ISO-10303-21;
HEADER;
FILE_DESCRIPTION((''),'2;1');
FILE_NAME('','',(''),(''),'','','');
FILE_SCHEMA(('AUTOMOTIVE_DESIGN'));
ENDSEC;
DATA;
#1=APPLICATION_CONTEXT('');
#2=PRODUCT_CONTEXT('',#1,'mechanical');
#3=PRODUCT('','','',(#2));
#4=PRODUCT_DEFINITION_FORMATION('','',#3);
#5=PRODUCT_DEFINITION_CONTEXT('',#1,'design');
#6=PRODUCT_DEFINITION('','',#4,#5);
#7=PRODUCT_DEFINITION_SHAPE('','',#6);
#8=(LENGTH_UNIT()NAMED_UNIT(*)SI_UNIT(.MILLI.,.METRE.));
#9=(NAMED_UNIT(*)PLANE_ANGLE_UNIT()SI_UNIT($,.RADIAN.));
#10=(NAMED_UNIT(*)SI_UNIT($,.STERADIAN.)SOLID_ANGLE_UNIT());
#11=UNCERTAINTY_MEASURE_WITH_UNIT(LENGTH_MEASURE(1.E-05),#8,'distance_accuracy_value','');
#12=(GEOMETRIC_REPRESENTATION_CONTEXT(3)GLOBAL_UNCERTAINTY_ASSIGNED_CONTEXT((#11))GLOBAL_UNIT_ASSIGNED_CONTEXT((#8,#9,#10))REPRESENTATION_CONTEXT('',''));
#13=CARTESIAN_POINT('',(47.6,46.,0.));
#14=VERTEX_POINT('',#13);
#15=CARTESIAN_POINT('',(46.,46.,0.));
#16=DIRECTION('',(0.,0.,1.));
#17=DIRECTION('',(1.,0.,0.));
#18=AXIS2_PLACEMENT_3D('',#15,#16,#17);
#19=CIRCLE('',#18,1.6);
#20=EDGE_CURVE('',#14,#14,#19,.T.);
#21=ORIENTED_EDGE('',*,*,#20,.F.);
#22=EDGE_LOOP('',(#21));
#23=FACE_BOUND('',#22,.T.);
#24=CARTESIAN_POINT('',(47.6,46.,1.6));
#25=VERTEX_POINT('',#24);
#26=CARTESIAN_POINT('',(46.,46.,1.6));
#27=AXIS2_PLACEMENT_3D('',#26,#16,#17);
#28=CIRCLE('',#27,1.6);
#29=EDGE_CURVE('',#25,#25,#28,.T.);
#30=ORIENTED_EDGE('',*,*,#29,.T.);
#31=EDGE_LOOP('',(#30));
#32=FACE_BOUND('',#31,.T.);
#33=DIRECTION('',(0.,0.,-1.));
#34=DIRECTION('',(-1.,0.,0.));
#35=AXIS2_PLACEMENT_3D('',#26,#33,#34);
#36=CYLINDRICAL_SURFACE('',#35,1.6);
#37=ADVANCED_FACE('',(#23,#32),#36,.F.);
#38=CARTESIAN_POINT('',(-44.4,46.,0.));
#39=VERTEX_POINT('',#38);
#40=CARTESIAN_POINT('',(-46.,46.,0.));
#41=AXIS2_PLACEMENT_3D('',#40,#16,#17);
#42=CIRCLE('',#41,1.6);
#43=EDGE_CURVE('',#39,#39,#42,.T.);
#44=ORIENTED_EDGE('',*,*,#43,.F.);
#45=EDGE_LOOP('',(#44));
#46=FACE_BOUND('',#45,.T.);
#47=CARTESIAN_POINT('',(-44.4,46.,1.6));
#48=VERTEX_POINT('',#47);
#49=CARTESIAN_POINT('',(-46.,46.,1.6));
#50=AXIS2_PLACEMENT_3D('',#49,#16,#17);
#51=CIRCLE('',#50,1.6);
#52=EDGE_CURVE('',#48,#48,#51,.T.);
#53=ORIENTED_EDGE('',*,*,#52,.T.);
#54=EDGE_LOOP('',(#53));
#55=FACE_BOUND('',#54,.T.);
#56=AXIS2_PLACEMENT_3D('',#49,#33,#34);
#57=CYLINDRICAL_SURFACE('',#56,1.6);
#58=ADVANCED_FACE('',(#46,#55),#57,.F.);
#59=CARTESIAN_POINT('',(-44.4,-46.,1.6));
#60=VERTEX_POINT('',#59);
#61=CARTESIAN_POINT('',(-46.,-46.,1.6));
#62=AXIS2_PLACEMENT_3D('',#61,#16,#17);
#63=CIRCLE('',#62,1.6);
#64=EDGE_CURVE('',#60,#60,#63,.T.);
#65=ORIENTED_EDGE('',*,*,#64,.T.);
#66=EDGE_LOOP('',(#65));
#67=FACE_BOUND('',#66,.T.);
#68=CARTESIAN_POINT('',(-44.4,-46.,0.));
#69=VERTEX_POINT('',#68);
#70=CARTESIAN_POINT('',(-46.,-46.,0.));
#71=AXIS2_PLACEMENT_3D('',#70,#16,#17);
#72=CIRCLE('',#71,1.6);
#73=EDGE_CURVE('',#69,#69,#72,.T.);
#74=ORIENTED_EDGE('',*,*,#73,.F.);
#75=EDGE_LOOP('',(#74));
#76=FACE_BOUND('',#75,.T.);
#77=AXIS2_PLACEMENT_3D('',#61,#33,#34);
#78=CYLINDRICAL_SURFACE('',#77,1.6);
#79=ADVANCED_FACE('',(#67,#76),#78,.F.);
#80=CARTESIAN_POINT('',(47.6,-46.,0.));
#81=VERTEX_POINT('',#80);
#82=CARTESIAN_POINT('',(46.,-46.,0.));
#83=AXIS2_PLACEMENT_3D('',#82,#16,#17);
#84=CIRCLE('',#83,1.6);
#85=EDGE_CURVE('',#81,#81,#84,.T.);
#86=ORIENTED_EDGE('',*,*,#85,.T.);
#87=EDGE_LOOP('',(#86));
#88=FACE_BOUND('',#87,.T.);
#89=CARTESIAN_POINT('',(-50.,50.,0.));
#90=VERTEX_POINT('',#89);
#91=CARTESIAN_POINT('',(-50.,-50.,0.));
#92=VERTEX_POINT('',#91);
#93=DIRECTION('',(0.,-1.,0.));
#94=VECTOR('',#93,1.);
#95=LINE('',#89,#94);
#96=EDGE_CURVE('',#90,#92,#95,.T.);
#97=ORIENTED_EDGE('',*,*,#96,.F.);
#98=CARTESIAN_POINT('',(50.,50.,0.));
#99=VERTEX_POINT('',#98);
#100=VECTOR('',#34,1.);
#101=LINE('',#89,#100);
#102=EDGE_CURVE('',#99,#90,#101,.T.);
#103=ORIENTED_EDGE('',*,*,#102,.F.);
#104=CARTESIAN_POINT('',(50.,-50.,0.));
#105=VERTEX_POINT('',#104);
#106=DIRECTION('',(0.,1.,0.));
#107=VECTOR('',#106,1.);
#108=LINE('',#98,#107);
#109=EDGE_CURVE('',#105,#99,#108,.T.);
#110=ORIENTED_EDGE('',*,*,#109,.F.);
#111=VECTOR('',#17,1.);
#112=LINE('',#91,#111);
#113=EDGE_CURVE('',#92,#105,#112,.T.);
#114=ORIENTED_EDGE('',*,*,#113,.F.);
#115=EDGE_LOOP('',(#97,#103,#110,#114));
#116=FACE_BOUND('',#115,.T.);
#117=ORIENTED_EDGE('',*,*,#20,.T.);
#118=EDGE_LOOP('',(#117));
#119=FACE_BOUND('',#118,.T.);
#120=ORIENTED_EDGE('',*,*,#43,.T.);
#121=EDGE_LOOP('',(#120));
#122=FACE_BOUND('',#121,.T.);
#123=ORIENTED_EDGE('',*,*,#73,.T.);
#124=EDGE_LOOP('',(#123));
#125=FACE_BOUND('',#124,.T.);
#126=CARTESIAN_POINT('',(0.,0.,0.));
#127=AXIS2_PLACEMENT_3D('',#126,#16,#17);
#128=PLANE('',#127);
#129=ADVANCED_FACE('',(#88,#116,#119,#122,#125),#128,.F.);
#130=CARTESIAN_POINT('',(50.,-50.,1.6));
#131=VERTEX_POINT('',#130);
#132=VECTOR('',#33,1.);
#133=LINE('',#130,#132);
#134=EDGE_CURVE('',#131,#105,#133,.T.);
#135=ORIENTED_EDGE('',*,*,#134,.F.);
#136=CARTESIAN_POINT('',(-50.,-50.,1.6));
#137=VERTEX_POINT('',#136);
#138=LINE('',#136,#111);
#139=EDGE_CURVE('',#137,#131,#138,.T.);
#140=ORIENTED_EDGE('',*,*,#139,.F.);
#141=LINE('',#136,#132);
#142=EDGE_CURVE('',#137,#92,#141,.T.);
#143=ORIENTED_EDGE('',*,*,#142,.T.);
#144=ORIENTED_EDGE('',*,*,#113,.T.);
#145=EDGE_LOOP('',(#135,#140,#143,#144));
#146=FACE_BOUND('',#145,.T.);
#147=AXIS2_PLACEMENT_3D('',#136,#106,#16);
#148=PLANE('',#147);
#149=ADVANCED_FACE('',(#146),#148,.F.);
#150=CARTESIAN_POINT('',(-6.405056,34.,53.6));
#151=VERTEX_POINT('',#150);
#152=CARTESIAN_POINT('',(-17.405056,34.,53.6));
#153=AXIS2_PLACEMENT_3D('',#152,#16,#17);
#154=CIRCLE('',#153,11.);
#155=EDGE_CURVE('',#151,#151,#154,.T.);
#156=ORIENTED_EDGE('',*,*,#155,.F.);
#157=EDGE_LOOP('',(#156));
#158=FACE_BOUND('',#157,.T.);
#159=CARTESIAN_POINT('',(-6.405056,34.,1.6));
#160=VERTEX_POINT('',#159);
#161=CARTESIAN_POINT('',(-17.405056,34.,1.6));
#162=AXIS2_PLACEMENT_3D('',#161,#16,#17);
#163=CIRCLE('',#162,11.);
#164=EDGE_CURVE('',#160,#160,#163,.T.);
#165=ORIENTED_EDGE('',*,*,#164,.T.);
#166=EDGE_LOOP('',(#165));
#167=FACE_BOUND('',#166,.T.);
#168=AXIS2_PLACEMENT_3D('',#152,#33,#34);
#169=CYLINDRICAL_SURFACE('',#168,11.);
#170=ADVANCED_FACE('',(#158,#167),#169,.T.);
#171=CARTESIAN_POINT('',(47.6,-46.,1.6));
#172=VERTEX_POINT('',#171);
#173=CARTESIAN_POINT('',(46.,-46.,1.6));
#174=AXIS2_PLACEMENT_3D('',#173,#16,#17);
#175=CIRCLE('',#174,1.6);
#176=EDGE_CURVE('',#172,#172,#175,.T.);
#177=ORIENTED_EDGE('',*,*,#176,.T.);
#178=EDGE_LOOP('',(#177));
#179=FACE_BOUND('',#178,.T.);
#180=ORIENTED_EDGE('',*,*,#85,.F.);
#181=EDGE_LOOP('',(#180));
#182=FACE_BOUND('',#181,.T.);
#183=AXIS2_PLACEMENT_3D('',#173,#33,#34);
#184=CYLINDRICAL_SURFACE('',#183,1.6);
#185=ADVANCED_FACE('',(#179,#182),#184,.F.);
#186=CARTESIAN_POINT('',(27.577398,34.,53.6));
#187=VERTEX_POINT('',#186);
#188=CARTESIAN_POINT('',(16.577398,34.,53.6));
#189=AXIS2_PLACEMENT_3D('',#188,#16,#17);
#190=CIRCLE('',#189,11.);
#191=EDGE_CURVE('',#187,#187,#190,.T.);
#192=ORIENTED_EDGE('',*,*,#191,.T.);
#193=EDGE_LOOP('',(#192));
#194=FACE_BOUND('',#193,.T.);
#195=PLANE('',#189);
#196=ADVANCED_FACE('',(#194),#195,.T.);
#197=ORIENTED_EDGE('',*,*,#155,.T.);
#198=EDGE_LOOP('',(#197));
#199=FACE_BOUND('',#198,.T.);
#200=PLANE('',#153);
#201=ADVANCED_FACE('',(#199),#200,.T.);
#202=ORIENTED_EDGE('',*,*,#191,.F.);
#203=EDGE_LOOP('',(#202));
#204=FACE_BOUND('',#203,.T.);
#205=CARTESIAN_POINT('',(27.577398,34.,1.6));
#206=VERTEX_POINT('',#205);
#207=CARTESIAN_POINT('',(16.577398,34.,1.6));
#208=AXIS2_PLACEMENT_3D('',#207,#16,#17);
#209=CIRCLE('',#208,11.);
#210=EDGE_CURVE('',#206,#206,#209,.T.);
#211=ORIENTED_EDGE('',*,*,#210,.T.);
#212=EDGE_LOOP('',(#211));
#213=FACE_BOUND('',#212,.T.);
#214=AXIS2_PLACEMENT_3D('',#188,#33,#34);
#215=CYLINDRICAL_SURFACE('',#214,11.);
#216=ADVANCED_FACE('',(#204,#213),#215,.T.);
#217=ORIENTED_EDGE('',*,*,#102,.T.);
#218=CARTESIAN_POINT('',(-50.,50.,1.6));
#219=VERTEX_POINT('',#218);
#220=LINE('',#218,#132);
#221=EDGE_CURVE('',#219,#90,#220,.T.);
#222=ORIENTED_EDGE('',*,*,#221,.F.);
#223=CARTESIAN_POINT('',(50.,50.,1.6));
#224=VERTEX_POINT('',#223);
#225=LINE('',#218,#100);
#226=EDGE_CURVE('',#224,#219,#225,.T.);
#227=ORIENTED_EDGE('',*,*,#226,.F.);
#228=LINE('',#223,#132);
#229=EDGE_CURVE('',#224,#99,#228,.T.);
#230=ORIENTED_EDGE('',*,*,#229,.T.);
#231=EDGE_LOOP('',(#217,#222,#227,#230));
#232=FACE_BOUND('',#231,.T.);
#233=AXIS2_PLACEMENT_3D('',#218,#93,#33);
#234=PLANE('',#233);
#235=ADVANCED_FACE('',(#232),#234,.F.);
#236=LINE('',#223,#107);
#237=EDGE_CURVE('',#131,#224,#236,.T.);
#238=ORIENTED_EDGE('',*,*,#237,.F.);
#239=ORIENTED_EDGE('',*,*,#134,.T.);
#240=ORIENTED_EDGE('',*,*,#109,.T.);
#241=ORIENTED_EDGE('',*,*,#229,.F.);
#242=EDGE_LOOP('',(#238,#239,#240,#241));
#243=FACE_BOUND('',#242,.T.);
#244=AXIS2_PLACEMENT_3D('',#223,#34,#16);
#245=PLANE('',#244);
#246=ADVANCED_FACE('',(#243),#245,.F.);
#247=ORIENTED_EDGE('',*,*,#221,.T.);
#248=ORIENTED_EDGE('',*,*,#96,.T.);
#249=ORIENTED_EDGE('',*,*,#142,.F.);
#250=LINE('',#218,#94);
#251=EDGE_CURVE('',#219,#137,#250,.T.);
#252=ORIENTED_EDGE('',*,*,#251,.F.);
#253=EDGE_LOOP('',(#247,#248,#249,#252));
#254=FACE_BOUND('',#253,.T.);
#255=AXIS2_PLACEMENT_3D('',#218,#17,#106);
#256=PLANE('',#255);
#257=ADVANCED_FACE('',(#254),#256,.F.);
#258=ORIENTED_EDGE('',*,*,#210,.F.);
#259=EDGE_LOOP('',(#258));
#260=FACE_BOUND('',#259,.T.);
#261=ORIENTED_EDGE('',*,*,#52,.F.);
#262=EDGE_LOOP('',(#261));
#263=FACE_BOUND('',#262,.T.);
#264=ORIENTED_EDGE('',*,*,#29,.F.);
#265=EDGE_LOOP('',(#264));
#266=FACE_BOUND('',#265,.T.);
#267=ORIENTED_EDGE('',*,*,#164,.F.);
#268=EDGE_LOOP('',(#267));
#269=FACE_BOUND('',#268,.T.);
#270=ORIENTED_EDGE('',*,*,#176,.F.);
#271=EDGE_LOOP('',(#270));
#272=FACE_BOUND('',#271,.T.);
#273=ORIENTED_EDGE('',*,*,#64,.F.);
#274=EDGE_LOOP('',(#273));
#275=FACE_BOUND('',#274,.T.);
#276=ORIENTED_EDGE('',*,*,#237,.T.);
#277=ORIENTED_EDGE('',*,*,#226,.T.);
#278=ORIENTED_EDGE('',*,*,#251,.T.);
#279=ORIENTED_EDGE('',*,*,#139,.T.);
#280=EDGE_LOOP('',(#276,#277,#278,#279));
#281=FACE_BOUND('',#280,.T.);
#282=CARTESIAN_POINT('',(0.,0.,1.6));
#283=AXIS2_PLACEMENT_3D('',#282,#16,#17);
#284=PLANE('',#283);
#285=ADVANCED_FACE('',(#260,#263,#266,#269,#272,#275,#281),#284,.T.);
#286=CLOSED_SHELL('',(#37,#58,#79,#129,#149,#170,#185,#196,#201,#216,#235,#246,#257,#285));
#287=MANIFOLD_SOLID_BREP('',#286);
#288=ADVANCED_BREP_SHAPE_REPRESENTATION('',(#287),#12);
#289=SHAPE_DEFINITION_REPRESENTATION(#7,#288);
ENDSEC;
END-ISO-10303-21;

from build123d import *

# Parameters (mm, degrees)
ESQUISSE1_W        = 100
ESQUISSE1_H        = 100
ESQUISSE1_R        = 1.6
BOSS_EXTRU_1_DEPTH = 1.6
ESQUISSE2_R        = 11
BOSS_EXTRU_2_DEPTH = 52


with BuildPart() as part:
    # Esquisse1 → Boss.-Extru.1 (new body)
    with BuildSketch(Plane.XY):
        Rectangle(ESQUISSE1_W, ESQUISSE1_H)
        with Locations((-46, 46)):
            Circle(ESQUISSE1_R, mode=Mode.SUBTRACT)
        with Locations((46, 46)):
            Circle(ESQUISSE1_R, mode=Mode.SUBTRACT)
        with Locations((-46, -46)):
            Circle(ESQUISSE1_R, mode=Mode.SUBTRACT)
        with Locations((46, -46)):
            Circle(ESQUISSE1_R, mode=Mode.SUBTRACT)
    extrude(amount=BOSS_EXTRU_1_DEPTH)

    # Esquisse2 → Boss.-Extru.2 (add)
    with BuildSketch(Plane.XY.offset(1.6)):
        with Locations((-17.405055541, 34)):
            Circle(ESQUISSE2_R)
        with Locations((16.577398103, 34)):
            Circle(ESQUISSE2_R)
    extrude(amount=BOSS_EXTRU_2_DEPTH)


solid = part.part
